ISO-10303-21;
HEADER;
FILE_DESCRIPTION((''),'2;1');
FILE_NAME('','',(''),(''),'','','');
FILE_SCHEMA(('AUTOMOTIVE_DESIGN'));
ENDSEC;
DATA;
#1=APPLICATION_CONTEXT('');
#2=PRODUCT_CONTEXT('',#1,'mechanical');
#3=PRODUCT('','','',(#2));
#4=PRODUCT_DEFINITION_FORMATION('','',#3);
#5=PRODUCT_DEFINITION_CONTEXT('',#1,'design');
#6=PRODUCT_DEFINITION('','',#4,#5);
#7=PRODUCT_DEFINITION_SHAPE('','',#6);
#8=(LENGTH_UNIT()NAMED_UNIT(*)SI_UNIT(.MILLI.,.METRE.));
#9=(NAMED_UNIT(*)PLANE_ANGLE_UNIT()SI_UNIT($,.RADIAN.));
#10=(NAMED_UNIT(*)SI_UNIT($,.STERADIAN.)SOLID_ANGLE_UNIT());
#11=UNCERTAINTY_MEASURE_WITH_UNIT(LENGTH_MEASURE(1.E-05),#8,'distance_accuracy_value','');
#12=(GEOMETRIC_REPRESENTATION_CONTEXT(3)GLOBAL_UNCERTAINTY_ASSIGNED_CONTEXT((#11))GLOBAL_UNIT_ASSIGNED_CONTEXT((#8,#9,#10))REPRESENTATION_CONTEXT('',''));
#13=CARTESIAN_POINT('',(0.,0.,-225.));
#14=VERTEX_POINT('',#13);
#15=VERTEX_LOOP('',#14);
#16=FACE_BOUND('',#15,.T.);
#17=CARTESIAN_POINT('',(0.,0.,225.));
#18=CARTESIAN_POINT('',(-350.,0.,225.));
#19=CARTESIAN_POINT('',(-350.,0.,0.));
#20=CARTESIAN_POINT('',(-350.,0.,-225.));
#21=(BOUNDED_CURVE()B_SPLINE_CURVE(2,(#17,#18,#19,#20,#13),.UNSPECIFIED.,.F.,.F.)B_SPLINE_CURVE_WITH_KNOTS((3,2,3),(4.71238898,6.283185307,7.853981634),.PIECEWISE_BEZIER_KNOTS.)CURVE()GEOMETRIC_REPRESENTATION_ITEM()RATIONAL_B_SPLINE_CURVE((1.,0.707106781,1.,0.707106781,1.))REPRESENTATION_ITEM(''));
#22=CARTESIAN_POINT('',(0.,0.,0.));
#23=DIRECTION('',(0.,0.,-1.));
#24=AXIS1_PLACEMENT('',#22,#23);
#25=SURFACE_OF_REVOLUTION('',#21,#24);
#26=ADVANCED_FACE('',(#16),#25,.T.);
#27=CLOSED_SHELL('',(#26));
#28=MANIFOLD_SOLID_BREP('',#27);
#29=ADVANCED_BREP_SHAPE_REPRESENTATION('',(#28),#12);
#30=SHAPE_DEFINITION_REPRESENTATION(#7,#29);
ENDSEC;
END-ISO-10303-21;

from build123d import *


with BuildPart() as f1:
    # F0 (on Front) → F1 (revolve)
    with BuildSketch(Plane.XZ):
        with BuildLine():
            Line((0, -225), (0, 225))
            add(Edge.make_bspline(
                [(0, 225), (-350, 225), (-350, 0), (-350, -225), (0, -225)],
                knots=[4.7123889804, 4.7123889804, 4.7123889804, 6.2831853072, 6.2831853072, 7.853981634, 7.853981634, 7.853981634], degree=2, weights=[1, 0.7071067812, 1, 0.7071067812, 1]))
        make_face()
    revolve(axis=Axis((0, 0, 0), (0, 0, -1)))


solid = f1.part
